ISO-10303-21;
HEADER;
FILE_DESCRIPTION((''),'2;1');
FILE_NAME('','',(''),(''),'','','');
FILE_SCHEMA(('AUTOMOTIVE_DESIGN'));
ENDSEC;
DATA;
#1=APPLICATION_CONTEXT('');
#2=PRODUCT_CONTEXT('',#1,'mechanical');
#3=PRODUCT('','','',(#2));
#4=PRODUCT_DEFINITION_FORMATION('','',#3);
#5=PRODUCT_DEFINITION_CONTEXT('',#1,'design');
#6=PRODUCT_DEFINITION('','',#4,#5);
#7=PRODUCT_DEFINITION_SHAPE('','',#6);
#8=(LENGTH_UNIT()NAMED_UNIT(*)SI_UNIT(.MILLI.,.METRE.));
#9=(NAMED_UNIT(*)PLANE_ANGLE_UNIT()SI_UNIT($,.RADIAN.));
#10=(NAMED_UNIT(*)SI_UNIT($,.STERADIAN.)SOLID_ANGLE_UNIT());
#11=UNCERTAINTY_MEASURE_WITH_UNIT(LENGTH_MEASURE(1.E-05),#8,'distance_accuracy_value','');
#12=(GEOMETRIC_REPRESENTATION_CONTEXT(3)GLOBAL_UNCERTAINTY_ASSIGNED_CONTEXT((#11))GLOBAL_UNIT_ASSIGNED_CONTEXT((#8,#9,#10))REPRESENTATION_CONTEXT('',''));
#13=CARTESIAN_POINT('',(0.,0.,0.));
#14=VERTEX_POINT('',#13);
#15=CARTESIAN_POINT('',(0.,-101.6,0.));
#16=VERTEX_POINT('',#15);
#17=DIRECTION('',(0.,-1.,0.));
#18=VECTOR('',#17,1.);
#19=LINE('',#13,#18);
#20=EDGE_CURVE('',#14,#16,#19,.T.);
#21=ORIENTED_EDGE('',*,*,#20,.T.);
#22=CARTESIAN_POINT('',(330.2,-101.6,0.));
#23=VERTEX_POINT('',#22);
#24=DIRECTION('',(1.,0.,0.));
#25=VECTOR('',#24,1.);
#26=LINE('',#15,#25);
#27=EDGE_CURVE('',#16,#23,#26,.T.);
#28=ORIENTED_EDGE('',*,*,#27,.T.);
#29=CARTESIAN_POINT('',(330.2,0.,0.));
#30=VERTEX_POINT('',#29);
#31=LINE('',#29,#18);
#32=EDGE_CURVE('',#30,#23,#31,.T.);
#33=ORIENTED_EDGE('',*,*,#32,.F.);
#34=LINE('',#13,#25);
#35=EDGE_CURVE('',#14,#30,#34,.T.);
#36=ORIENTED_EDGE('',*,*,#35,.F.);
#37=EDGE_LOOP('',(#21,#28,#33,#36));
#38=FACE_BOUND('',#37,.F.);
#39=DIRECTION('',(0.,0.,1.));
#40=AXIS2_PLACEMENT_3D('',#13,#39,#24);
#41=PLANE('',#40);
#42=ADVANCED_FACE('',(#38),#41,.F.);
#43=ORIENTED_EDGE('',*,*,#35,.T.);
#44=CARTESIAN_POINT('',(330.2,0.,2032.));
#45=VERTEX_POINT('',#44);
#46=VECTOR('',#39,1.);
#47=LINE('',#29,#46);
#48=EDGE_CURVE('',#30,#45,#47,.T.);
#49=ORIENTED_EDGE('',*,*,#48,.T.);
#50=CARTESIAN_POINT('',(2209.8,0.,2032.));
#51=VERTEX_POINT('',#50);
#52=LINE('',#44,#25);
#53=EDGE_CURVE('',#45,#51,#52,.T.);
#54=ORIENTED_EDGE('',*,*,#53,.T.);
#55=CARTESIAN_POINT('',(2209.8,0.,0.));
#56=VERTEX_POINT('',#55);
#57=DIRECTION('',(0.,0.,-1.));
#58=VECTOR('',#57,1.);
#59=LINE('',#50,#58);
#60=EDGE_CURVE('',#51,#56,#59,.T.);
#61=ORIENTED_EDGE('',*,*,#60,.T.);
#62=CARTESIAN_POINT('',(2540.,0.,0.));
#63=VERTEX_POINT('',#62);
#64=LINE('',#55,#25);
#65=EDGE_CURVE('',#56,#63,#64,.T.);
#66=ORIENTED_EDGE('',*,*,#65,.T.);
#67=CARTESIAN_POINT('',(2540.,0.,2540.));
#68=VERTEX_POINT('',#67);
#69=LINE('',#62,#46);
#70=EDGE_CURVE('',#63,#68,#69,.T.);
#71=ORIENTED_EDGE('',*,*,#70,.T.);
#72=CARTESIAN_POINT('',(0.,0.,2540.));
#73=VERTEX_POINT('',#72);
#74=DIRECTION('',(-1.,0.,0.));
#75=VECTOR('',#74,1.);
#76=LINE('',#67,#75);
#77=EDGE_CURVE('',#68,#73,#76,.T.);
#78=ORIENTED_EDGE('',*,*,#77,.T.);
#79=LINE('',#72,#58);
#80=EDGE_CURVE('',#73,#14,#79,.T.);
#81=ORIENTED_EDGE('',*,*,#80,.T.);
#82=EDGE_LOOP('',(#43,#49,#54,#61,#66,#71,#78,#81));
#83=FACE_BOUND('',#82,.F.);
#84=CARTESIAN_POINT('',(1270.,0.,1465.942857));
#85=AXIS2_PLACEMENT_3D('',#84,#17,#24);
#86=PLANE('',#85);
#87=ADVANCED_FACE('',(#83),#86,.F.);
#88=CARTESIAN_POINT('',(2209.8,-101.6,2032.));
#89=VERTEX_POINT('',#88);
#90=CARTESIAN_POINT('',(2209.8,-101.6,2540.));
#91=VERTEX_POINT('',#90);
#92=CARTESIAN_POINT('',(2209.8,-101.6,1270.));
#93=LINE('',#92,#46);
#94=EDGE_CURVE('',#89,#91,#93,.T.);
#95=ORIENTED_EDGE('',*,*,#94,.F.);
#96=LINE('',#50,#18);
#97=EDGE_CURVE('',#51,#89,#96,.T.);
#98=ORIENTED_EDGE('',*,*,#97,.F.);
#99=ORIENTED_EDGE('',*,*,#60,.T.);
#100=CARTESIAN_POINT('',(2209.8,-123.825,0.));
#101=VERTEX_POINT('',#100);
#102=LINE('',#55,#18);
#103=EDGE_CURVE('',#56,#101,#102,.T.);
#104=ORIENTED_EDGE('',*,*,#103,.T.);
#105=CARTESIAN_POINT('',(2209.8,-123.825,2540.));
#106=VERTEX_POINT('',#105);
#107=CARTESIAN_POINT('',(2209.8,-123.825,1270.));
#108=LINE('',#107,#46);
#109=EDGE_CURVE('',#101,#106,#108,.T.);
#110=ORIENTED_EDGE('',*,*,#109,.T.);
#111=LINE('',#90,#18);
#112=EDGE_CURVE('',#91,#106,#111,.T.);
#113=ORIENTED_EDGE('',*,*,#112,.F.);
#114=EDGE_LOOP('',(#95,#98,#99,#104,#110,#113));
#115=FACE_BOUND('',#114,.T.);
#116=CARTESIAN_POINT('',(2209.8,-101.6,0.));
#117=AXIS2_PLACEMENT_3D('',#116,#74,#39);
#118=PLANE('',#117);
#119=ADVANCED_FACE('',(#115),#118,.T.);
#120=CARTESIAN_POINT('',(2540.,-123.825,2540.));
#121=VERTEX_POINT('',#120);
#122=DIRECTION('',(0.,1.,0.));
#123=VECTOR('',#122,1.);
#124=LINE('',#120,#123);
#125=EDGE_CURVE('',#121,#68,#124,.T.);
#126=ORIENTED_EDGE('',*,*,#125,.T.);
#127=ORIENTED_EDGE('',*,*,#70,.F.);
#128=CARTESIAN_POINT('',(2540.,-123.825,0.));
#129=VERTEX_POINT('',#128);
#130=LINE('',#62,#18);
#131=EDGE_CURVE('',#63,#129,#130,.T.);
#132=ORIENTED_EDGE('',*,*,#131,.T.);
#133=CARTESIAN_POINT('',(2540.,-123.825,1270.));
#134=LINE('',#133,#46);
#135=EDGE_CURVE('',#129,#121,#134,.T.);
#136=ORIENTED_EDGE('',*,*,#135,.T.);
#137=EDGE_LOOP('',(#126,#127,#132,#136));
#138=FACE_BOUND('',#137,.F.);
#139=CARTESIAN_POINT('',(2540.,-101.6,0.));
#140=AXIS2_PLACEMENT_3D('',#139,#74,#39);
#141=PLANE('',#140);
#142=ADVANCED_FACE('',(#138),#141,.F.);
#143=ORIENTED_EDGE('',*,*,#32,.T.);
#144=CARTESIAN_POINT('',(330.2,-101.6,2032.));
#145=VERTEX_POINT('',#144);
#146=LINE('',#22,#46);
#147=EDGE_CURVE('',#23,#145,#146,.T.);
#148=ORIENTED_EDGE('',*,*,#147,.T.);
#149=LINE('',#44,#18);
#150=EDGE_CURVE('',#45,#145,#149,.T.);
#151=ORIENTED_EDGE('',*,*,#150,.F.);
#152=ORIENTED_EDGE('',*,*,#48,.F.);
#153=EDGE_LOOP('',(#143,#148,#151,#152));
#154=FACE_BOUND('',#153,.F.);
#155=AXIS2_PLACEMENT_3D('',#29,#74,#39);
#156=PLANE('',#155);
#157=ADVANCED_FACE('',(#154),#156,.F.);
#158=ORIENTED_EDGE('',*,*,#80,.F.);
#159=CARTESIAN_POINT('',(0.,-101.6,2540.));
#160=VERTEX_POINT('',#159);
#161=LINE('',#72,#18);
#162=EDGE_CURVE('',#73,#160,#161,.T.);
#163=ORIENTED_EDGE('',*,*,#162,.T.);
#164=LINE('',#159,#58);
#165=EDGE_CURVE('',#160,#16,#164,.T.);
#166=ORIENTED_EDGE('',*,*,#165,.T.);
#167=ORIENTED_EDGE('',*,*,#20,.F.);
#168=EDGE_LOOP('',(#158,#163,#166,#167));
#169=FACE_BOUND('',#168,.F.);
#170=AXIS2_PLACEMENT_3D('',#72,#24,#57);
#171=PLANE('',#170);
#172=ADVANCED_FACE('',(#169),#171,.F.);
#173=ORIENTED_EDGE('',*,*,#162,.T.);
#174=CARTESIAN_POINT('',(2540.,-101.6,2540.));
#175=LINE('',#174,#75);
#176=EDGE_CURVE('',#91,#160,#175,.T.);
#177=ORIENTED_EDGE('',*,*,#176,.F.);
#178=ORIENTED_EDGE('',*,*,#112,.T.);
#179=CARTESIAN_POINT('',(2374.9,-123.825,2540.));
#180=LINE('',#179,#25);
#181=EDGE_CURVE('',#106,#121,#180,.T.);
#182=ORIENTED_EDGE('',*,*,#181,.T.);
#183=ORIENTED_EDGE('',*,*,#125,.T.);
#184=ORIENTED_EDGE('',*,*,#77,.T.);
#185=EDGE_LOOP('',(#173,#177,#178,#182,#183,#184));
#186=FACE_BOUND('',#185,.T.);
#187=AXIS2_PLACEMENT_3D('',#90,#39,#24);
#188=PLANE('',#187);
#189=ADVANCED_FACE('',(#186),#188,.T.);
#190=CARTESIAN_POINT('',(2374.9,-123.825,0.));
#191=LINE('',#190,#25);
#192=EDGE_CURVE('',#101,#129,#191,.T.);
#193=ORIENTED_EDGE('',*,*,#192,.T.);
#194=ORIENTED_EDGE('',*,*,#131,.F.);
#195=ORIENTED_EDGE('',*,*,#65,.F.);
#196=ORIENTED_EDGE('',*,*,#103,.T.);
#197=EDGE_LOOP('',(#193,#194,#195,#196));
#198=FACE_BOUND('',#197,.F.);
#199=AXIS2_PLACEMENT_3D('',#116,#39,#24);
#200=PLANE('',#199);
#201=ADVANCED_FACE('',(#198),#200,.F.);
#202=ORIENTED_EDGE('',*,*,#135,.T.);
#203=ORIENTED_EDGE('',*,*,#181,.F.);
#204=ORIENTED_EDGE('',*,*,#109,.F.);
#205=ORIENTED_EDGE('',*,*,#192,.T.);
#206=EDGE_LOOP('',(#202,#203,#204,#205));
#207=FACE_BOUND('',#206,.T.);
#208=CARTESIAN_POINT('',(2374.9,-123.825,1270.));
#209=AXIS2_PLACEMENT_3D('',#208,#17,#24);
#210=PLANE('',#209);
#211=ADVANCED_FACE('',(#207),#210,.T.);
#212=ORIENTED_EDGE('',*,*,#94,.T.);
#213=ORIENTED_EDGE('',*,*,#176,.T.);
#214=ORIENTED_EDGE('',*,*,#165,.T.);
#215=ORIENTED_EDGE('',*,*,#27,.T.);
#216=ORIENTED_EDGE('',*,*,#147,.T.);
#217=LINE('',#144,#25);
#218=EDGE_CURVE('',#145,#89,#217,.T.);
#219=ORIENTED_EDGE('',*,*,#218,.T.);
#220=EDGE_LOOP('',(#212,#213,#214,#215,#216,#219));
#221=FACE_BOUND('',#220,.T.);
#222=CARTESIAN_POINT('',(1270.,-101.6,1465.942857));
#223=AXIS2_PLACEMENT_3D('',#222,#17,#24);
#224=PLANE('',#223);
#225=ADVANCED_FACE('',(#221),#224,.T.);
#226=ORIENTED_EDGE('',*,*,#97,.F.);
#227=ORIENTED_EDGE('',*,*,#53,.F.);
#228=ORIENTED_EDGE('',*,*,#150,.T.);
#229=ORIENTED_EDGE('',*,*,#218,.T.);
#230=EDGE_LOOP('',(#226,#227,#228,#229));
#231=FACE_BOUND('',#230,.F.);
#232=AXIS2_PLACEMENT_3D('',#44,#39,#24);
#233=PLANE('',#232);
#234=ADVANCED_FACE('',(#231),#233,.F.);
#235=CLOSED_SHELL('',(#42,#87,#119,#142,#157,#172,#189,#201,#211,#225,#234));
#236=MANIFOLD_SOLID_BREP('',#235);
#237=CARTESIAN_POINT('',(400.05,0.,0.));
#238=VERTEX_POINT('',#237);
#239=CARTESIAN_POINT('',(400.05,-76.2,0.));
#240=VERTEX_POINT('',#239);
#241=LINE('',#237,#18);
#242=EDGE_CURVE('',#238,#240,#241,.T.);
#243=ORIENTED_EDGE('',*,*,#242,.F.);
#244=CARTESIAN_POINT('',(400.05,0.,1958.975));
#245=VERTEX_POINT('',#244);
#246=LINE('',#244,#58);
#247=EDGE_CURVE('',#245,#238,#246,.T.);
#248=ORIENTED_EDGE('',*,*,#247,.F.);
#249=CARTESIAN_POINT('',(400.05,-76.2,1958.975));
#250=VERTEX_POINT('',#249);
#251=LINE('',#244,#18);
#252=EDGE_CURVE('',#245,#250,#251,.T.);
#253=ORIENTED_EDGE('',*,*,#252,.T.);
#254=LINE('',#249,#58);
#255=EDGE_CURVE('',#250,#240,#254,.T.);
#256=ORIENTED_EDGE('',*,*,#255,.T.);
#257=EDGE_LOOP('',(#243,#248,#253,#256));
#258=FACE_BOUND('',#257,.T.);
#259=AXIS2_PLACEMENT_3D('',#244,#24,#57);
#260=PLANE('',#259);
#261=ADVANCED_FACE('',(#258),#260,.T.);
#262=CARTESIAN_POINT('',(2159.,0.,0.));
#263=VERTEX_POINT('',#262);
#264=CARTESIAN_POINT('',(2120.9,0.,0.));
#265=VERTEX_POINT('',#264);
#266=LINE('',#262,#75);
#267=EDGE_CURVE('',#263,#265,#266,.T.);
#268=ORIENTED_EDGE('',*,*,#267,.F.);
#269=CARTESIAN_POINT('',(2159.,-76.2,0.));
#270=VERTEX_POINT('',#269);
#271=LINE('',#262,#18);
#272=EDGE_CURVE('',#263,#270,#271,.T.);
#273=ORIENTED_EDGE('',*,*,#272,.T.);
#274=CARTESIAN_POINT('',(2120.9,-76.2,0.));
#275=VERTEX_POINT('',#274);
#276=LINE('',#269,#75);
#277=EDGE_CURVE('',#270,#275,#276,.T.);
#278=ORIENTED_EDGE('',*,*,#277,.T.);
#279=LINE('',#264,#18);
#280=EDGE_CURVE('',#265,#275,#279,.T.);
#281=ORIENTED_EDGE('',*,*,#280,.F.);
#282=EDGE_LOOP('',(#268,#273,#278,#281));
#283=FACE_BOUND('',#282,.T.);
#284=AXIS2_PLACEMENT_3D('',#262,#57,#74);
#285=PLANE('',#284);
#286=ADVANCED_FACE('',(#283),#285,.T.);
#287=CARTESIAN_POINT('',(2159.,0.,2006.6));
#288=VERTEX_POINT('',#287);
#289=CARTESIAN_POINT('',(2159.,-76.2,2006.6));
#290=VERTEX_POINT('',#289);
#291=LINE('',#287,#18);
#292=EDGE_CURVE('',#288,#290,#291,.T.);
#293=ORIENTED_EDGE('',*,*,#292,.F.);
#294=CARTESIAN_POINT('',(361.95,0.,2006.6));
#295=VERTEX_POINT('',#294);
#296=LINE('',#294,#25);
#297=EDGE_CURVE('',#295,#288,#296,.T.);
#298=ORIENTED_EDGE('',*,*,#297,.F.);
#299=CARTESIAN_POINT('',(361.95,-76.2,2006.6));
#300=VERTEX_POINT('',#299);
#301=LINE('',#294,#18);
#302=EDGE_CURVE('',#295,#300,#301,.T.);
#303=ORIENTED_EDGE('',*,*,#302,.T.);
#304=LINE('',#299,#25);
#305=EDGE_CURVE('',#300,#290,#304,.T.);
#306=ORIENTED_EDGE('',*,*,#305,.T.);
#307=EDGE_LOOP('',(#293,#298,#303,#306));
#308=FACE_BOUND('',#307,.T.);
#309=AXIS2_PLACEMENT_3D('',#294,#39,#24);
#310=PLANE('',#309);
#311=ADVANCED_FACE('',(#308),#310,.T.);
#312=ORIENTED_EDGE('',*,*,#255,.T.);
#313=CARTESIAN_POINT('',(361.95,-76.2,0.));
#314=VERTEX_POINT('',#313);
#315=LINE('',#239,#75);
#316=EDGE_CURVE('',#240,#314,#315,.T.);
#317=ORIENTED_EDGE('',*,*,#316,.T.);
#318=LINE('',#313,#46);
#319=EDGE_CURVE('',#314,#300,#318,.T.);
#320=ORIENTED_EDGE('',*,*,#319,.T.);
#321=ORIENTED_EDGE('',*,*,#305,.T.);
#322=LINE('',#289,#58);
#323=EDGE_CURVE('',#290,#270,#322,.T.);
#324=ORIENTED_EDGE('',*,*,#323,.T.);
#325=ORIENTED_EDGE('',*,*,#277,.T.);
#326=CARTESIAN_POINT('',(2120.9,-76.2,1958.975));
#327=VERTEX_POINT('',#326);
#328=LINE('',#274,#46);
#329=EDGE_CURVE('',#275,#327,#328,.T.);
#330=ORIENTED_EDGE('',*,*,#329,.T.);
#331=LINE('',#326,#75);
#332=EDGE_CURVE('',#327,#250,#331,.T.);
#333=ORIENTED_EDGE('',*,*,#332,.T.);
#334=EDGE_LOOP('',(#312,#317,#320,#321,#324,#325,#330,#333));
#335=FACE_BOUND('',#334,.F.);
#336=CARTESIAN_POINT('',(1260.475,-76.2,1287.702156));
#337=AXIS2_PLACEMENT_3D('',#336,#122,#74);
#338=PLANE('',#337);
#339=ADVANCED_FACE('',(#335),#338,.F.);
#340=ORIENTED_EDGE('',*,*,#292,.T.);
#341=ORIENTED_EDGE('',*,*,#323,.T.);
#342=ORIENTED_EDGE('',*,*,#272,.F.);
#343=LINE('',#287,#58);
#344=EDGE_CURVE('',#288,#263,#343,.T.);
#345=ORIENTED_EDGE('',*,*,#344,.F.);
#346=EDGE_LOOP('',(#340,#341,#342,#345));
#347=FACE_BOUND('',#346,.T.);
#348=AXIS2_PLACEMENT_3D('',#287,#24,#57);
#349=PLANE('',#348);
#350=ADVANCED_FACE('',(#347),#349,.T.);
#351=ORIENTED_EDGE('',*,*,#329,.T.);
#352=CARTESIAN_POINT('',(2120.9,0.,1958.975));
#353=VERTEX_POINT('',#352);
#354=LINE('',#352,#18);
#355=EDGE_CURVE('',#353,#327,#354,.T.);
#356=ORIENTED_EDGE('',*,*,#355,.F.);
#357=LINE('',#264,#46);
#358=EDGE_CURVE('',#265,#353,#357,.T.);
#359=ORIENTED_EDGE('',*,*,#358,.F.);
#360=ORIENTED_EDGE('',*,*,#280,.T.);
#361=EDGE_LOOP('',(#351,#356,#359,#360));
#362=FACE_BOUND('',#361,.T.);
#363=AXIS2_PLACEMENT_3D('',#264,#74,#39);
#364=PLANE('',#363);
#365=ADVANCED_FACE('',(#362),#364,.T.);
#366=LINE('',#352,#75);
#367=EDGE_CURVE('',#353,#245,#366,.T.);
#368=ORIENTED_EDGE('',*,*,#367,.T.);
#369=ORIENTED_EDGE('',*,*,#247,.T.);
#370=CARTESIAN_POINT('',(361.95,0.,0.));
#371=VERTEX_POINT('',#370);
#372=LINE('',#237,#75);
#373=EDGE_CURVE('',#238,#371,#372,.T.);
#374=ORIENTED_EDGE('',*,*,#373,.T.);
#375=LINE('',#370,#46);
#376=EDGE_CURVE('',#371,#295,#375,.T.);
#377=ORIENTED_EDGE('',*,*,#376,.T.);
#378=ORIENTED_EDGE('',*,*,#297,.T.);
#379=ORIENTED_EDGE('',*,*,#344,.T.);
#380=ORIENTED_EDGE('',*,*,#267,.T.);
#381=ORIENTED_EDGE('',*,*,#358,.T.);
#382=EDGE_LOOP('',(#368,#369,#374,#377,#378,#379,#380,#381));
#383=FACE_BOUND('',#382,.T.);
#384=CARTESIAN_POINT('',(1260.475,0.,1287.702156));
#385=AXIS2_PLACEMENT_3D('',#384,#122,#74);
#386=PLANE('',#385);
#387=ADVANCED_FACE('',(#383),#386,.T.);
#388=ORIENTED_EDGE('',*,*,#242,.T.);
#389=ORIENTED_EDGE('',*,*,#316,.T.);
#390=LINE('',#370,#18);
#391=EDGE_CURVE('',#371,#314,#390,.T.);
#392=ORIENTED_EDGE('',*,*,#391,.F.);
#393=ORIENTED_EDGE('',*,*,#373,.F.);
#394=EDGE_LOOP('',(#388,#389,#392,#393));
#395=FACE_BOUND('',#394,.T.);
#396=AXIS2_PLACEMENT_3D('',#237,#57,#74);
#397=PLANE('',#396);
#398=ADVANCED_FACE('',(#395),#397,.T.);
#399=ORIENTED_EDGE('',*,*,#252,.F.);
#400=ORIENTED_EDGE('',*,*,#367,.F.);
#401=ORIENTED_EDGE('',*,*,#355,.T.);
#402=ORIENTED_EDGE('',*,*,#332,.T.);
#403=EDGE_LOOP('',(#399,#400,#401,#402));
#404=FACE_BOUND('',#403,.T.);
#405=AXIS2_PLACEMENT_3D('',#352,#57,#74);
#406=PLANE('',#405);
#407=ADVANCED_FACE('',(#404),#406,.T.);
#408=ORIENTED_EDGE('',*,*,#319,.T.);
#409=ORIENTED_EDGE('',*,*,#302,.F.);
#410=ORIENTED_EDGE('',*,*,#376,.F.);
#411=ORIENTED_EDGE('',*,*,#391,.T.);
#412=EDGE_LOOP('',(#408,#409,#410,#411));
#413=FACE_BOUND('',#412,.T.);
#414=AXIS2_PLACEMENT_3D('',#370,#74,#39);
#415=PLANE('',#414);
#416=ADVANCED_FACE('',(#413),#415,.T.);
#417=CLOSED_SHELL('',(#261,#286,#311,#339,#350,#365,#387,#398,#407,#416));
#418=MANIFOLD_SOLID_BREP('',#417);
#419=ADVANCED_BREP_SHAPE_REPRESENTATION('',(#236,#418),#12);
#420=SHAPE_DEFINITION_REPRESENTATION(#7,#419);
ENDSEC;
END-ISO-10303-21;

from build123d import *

# Parameters (mm, degrees)
F1_DEPTH = 101.6
F2_W     = 330.2
F2_H     = 2540
F3_DEPTH = 22.225
F5_DEPTH = 76.2


with BuildPart() as f1:
    # F0 (on Front) → F1 (new body)
    with BuildSketch(Plane.XZ):
        Polygon((0, 2540), (0, 0), (330.2, 0), (330.2, 2032), (2209.8, 2032), (2209.8, 0), (2540, 0), (2540, 2540), align=None)
    extrude(amount=F1_DEPTH)

    # F2 (on face) → F3 (join)
    with BuildSketch(Plane.XZ.offset(101.6)):
        with Locations((2374.9, 1270)):
            Rectangle(F2_W, F2_H)
    extrude(amount=F3_DEPTH)


with BuildPart() as f5:
    # F4 (on face) → F5 (new body)
    with BuildSketch(Plane(origin=(0, 0, 0), x_dir=(-1, 0, 0), z_dir=(0, 1, 0))):
        Polygon((-2159, 2006.6), (-2159, 0), (-2120.9, 0), (-2120.9, 1958.975), (-400.05, 1958.975), (-400.05, 0), (-361.95, 0), (-361.95, 2006.6), align=None)
    extrude(amount=-F5_DEPTH)


solid = Compound([f1.part, f5.part])
